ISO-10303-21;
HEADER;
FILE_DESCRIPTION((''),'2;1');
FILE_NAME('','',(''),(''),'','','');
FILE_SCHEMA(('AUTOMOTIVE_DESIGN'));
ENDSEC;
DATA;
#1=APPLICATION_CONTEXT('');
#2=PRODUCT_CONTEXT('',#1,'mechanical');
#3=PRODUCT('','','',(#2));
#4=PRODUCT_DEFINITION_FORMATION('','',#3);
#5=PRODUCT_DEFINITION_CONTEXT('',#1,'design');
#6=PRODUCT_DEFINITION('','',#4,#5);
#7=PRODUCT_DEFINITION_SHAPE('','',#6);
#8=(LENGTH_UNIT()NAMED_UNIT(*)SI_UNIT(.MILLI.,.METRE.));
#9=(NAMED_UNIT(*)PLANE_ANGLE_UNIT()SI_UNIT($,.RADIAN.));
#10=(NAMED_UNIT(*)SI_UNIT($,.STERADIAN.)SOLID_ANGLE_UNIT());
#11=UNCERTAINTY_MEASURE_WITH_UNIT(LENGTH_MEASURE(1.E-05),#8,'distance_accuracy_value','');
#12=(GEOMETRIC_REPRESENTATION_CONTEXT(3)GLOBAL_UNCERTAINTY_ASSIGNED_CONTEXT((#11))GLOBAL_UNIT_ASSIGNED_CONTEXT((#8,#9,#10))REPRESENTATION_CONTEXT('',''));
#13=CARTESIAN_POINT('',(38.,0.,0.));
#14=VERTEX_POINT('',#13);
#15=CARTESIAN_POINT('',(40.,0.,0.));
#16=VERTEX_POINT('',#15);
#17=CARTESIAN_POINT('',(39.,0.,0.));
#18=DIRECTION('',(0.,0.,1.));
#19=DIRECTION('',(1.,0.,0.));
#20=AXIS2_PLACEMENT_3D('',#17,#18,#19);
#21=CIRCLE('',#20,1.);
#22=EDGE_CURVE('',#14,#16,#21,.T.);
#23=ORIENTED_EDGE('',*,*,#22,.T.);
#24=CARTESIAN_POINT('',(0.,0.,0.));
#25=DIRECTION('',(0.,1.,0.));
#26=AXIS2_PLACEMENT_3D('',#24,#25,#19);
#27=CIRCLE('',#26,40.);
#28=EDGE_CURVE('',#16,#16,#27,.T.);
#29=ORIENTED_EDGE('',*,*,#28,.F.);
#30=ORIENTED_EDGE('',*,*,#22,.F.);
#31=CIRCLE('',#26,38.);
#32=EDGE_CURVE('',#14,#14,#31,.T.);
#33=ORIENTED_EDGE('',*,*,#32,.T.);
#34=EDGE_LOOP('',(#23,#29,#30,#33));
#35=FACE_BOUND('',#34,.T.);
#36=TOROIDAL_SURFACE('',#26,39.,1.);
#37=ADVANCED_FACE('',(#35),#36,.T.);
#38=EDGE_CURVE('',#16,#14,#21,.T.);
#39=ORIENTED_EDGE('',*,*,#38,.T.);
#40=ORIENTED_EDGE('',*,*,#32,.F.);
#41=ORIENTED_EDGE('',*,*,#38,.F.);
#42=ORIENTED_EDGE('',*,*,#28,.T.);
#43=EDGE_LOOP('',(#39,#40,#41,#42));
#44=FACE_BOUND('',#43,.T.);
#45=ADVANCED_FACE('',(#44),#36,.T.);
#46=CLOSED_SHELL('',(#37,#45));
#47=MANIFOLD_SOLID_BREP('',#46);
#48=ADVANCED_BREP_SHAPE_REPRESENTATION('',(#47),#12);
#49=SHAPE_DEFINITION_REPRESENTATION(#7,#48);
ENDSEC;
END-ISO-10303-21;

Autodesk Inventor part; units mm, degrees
ref_plane "YZ Plane" through (0, 0, 0) normal (1, 0, 0) x (0, 1, 0)
ref_plane "XZ Plane" through (0, 0, 0) normal (0, 1, 0) x (-1, 0, 0)
ref_plane "XY Plane" through (0, 0, 0) normal (0, 0, 1) x (1, 0, 0)
sketch "Эскиз1" plane through (0, 0, 0) normal (0, 0, 1) x (1, 0, 0)
  line L0 (0, 0) -> (39, 0)
  circle A0 centre (39, 0) radius 1
  line L1 (0, -1.4) -> (0, 1.4) projected
  dimension "d0" = 39
  dimension "d1" = 2
revolve "Вращение1" add sketch "Эскиз1" angle 360 about axis through (0, -10, 0) along (0, 1, 0)
properties part number "Маслосъемная пружина_CPY" material "Сталь, углеродистая"
